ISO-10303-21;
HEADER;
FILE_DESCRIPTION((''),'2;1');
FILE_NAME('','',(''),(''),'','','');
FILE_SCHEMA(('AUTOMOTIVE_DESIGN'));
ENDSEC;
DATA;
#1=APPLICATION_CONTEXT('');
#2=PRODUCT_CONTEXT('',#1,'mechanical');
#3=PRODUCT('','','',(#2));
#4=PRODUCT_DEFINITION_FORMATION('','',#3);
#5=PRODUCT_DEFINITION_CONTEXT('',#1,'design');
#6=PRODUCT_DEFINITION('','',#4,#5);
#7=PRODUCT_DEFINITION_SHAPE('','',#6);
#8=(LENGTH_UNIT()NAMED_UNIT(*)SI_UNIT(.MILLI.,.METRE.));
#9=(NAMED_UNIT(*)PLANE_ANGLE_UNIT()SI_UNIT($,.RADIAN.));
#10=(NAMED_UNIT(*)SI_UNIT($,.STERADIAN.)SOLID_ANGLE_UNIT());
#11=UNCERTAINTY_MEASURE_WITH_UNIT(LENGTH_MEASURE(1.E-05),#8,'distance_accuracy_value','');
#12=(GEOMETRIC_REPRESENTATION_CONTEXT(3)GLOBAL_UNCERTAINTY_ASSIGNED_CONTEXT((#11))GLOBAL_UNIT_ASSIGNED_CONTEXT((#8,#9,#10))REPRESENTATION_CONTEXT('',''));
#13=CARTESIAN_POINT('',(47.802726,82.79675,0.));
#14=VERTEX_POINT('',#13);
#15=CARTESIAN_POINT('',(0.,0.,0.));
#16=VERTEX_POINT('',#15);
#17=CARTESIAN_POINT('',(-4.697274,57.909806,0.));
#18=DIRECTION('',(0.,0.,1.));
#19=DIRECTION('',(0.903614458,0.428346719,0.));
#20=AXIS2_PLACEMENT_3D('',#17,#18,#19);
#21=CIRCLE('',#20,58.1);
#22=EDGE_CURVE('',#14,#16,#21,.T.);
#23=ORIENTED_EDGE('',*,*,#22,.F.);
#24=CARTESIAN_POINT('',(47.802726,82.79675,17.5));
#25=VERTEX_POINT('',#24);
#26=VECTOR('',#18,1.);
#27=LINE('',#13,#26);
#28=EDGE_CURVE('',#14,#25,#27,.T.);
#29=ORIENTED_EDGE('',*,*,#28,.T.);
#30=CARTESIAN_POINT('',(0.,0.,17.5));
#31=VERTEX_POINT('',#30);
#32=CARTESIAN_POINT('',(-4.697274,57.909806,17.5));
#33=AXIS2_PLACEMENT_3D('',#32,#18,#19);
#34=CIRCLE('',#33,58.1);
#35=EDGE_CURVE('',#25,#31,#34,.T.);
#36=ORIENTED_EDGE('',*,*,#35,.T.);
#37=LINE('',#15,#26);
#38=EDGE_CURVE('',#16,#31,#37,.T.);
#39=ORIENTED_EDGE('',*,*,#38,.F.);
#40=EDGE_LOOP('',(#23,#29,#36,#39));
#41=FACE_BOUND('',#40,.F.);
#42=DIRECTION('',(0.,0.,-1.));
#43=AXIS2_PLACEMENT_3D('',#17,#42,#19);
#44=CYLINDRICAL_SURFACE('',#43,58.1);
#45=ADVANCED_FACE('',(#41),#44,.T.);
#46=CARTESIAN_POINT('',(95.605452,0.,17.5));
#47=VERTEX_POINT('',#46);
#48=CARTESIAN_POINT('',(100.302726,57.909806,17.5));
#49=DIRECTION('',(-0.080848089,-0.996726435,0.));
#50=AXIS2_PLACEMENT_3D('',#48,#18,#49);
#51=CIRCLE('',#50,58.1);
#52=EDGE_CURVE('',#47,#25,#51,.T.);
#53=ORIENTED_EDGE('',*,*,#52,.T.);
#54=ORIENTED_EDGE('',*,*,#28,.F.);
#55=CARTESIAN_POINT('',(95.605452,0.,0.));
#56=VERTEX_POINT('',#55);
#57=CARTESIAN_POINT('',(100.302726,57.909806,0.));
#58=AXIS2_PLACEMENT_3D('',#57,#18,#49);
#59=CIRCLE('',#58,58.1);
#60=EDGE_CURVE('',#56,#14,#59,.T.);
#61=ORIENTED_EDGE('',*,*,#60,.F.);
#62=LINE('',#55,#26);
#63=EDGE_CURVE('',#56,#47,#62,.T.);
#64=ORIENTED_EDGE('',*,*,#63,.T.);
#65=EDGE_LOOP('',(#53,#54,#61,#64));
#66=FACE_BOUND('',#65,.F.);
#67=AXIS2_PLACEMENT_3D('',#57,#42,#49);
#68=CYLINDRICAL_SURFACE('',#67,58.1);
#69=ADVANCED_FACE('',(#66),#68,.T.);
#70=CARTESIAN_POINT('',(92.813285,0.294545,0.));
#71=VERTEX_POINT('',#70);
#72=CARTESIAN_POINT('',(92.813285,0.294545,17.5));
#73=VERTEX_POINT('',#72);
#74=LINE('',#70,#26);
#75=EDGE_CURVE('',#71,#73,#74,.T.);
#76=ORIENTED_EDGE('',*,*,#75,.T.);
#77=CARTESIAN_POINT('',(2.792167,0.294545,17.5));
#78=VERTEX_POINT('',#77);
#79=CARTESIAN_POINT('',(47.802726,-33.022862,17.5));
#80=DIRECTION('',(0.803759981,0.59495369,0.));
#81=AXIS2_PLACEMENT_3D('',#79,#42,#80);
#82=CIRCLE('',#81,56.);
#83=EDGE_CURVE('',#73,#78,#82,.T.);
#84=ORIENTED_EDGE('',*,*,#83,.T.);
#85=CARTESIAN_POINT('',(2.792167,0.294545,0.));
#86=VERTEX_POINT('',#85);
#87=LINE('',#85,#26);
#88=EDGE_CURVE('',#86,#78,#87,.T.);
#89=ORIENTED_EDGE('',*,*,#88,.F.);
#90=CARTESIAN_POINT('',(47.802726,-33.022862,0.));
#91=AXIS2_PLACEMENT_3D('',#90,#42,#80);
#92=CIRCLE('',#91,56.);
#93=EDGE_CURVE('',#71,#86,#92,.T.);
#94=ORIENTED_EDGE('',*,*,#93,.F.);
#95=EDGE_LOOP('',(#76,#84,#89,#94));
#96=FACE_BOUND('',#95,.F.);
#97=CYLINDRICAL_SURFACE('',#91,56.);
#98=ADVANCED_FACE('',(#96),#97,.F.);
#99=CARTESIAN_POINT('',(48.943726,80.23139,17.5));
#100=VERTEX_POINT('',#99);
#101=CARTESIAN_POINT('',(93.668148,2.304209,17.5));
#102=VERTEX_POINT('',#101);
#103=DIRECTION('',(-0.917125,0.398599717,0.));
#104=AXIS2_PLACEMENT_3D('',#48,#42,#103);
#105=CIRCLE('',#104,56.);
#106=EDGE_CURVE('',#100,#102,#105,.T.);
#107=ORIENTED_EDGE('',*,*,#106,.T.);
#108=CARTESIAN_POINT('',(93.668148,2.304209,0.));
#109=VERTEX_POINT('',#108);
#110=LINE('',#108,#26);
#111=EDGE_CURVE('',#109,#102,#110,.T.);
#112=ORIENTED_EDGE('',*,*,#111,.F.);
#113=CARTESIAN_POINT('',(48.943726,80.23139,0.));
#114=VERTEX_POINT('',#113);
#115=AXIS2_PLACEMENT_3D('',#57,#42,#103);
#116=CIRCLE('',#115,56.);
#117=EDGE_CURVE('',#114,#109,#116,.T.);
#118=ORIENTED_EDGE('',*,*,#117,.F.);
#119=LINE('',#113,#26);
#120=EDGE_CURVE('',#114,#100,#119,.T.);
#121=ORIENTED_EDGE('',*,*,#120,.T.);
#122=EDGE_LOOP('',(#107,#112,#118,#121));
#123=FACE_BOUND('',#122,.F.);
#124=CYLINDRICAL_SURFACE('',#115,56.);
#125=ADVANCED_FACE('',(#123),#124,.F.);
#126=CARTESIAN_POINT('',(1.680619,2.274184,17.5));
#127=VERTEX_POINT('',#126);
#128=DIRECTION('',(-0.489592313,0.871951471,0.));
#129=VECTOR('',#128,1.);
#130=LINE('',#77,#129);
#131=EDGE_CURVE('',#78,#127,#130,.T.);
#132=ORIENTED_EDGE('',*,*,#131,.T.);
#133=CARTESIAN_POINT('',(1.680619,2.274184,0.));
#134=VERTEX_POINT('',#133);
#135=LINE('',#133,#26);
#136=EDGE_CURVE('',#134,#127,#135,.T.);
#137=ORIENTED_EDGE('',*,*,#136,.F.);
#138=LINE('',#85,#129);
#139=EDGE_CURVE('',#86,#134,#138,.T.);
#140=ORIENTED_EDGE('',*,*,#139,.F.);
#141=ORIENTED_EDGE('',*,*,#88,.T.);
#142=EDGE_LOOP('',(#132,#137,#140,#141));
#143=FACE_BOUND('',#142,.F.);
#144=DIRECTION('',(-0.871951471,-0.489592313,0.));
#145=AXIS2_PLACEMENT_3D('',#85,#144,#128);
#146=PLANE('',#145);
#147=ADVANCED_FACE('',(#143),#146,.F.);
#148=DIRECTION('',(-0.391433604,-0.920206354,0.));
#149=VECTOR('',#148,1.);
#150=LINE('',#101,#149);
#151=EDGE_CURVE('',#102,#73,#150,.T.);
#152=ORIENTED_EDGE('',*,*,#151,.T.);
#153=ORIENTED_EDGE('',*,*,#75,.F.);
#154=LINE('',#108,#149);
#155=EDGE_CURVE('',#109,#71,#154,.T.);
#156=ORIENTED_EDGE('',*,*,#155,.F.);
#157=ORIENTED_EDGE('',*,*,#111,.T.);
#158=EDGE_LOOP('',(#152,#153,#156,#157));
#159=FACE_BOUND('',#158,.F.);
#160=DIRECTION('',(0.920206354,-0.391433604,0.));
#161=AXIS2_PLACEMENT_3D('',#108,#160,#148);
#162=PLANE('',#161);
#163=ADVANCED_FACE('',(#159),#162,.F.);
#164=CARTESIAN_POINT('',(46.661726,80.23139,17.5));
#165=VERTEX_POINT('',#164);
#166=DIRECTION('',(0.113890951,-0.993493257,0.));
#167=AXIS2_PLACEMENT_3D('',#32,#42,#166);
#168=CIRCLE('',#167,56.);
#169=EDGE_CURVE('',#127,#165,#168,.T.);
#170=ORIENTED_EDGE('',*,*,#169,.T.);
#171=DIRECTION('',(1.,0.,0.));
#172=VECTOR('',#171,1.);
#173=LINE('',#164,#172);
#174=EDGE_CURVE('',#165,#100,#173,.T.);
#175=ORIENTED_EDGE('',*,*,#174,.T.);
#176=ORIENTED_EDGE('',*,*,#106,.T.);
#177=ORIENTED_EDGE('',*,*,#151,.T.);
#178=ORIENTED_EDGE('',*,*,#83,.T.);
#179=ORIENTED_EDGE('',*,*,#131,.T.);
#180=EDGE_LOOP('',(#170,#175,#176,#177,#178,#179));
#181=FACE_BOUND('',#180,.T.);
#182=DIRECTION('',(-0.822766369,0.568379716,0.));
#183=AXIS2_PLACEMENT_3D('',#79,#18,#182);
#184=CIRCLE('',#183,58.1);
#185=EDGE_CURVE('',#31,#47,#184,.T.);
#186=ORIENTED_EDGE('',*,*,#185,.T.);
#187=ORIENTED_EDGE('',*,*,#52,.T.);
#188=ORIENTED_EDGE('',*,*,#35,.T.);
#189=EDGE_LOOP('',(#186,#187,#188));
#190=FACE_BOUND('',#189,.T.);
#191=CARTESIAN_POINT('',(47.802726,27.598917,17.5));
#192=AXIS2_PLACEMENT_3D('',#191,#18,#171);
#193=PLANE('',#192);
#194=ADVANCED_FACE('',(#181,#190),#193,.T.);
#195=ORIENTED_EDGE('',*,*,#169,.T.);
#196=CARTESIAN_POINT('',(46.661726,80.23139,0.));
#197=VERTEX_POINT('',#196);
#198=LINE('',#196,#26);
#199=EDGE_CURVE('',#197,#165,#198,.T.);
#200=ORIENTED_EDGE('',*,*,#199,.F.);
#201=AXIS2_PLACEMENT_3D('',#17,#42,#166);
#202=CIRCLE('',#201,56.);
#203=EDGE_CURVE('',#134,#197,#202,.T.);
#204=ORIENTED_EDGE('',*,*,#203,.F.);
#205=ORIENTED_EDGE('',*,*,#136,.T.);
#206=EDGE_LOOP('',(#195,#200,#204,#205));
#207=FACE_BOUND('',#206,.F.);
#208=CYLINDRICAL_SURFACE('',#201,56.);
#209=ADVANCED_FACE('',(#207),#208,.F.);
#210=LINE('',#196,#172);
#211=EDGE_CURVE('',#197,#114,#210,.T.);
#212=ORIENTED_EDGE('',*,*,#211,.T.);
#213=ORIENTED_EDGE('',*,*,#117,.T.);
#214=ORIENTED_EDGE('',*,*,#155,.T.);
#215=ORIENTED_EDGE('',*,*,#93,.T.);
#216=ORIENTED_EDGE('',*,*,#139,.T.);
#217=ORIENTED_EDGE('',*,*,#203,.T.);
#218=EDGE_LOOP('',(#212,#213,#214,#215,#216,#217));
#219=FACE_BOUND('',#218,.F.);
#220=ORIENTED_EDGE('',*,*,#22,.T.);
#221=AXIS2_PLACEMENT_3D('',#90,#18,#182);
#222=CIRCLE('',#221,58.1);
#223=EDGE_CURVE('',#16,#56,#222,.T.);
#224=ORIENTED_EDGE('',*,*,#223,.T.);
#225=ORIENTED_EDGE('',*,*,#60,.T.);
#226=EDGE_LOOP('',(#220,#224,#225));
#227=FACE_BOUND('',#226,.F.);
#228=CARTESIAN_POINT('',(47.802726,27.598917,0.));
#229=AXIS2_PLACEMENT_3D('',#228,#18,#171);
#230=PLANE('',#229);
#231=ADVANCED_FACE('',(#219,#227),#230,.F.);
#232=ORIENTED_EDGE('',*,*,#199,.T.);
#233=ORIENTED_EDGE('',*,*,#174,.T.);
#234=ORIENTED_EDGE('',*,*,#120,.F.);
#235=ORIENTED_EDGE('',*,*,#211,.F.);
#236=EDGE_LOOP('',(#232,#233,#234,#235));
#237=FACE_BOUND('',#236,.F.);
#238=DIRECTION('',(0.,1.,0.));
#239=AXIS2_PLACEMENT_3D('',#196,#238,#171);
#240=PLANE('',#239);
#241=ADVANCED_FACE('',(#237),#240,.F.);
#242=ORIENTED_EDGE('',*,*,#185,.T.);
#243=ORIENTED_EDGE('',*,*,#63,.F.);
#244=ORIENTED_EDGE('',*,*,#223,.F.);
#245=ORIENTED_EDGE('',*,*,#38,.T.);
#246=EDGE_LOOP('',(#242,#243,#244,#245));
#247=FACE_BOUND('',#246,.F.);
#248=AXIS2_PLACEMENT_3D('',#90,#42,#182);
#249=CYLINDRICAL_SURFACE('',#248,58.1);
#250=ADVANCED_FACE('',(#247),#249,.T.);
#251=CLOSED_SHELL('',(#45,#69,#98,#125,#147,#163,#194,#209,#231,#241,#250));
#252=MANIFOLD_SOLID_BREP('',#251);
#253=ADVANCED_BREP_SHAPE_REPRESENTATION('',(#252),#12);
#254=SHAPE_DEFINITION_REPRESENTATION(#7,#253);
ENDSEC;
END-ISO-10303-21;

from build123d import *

# Parameters (mm, degrees)
F1_DEPTH = 25
F2_SCALE = 0.7


with BuildPart() as f1:
    # F0 (on Top) → F1 (new body)
    with BuildSketch(Plane.XY):
        with BuildLine():
            ThreePointArc((0, 0), (68.2896086367, -130.1755164492), (136.5792172734, 0))
            ThreePointArc((136.5792172734, 0), (215.1697171508, 124.2282941185), (68.2896086367, 118.2810717877))
            ThreePointArc((68.2896086367, 118.2810717877), (-78.5904998774, 124.2282941185), (0, 0))
        make_face()
        with BuildLine():
            ThreePointArc((2.4008847485, 3.2488335792), (-76.0030084536, 122.7099551242), (66.6596086367, 114.6162714767))
            Line((66.6596086367, 114.6162714767), (69.9196086367, 114.6162714767))
            ThreePointArc((69.9196086367, 114.6162714767), (212.674297247, 122.549958906), (133.8116395456, 3.2917275895))
            Line((133.8116395456, 3.2917275895), (132.5904071042, 0.4207787473))
            ThreePointArc((132.5904071042, 0.4207787473), (68.2896086367, -127.1755164492), (3.9888101691, 0.4207787473))
            Line((3.9888101691, 0.4207787473), (2.4008847485, 3.2488335792))
        make_face(mode=Mode.SUBTRACT)
    extrude(amount=F1_DEPTH)


with BuildPart() as f1_1:
    # F2: moved
    add(f1.part.scale(F2_SCALE))


solid = f1_1.part
